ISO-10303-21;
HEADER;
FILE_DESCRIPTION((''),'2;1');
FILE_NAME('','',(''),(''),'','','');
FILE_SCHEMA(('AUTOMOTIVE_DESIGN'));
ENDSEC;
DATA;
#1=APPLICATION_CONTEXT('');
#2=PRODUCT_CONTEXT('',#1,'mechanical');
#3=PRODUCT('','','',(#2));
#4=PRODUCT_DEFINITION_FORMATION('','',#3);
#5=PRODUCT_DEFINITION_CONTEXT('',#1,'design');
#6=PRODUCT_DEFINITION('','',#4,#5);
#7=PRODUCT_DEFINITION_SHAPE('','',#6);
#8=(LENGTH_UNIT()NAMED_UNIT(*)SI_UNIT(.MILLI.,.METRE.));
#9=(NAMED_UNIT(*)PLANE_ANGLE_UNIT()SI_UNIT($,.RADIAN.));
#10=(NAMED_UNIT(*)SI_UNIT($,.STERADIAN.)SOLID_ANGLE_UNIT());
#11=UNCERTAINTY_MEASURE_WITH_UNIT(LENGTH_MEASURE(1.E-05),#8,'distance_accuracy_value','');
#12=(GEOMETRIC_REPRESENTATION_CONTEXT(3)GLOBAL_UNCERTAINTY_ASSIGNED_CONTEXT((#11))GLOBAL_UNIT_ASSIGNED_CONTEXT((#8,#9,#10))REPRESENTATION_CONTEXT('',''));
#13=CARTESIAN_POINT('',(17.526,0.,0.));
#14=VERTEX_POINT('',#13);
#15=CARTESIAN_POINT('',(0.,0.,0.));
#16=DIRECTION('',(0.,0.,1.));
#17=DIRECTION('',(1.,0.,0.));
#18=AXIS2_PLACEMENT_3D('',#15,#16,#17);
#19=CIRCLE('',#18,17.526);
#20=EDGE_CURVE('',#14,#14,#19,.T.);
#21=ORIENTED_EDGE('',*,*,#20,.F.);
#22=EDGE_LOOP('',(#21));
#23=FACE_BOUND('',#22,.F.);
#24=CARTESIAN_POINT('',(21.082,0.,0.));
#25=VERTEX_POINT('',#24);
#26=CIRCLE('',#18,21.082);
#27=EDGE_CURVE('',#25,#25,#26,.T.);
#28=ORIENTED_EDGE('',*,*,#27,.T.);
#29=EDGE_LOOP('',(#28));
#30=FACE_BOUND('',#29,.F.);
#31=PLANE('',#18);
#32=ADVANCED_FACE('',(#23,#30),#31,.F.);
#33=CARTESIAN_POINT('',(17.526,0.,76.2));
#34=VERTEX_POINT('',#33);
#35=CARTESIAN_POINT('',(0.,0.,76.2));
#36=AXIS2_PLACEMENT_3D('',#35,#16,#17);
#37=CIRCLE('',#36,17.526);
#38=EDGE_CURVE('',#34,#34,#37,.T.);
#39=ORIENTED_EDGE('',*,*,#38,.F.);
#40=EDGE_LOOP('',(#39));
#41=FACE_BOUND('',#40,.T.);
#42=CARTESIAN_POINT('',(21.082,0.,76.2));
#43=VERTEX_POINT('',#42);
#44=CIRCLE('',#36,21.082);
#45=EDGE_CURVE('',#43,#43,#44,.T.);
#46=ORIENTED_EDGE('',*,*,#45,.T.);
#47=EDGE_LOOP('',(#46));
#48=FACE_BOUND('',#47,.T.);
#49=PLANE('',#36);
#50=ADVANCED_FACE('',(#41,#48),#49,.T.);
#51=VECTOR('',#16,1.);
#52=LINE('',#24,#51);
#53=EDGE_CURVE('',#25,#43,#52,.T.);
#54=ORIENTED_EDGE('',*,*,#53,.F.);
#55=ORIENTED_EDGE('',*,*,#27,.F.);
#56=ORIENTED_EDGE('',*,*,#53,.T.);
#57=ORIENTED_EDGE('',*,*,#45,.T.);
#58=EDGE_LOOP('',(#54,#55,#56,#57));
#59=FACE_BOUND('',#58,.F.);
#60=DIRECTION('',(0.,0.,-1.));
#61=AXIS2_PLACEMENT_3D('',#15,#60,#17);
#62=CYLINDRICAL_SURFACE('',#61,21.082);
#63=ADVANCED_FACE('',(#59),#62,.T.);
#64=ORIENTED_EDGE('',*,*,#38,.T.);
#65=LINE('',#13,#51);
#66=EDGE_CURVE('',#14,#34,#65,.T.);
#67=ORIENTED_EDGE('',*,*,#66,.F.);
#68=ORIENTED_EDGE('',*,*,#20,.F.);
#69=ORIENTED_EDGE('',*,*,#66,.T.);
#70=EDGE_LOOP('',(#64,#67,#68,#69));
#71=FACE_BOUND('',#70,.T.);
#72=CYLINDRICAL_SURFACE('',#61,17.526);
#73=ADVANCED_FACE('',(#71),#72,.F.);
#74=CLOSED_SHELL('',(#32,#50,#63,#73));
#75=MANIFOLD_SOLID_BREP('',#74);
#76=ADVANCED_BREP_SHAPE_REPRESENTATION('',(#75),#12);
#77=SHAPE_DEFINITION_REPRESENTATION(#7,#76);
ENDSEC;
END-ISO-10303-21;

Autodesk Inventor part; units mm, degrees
ref_plane "YZ Plane" through (0, 0, 0) normal (1, 0, 0) x (0, 1, 0)
ref_plane "Start plane" through (0, 0, 0) normal (0, 0, 1) x (1, 0, 0)
ref_plane "End plane" through (0, 0, 76.2) normal (0, 0, 1) x (1, 0, 0)
sketch "Sketch" plane through (0, 0, 0) normal (0, 0, 1) x (1, 0, 0)
  circle A0 centre (0, 0) radius 17.526
  circle A1 centre (0, 0) radius 21.082
  dimension "d0" = 42.164
  dimension "d1" = 3.556
extrude "Body" add sketch "Sketch" along normal up to surface (76.2 mm away) from surface at 0
sketch "Sketch3" plane through (0, 0, 0) normal (0, 0, 1) x (1, 0, 0)
  line L0 (0, 0) -> (10, 0)
ref_plane "Work Plane3" through (0, 0, 0) normal (0, -1, 0) x (1, 0, 0)
sketch "Sketch4" plane through (0, 0, 0) normal (0, -1, 0) x (1, 0, 0)
  line L0 (-2, 0) -> (12, 0)
  line L1 (-2, 76.2) -> (12, 76.2)
  dimension "d7" = 76.2
equation "\"d0\" = G_H"
equation "\"d1\" = G_T"
equation "\"d2\" = G_L"
equation "\"G_H\" = 42.164"
equation "\"G_T\" = 3.556"
equation "\"G_L\" = d7"
equation "\"G_OFFSET_START\" = 0"
equation "\"G_OFFSET_END\" = 0"
equation "\"d5\" = G_OFFSET_END + B_L"
equation "\"B_L\" = 76.2"
properties part number "ANSI - 1 1/4 x 0.140 - 3" material "Aluminum 6061"
